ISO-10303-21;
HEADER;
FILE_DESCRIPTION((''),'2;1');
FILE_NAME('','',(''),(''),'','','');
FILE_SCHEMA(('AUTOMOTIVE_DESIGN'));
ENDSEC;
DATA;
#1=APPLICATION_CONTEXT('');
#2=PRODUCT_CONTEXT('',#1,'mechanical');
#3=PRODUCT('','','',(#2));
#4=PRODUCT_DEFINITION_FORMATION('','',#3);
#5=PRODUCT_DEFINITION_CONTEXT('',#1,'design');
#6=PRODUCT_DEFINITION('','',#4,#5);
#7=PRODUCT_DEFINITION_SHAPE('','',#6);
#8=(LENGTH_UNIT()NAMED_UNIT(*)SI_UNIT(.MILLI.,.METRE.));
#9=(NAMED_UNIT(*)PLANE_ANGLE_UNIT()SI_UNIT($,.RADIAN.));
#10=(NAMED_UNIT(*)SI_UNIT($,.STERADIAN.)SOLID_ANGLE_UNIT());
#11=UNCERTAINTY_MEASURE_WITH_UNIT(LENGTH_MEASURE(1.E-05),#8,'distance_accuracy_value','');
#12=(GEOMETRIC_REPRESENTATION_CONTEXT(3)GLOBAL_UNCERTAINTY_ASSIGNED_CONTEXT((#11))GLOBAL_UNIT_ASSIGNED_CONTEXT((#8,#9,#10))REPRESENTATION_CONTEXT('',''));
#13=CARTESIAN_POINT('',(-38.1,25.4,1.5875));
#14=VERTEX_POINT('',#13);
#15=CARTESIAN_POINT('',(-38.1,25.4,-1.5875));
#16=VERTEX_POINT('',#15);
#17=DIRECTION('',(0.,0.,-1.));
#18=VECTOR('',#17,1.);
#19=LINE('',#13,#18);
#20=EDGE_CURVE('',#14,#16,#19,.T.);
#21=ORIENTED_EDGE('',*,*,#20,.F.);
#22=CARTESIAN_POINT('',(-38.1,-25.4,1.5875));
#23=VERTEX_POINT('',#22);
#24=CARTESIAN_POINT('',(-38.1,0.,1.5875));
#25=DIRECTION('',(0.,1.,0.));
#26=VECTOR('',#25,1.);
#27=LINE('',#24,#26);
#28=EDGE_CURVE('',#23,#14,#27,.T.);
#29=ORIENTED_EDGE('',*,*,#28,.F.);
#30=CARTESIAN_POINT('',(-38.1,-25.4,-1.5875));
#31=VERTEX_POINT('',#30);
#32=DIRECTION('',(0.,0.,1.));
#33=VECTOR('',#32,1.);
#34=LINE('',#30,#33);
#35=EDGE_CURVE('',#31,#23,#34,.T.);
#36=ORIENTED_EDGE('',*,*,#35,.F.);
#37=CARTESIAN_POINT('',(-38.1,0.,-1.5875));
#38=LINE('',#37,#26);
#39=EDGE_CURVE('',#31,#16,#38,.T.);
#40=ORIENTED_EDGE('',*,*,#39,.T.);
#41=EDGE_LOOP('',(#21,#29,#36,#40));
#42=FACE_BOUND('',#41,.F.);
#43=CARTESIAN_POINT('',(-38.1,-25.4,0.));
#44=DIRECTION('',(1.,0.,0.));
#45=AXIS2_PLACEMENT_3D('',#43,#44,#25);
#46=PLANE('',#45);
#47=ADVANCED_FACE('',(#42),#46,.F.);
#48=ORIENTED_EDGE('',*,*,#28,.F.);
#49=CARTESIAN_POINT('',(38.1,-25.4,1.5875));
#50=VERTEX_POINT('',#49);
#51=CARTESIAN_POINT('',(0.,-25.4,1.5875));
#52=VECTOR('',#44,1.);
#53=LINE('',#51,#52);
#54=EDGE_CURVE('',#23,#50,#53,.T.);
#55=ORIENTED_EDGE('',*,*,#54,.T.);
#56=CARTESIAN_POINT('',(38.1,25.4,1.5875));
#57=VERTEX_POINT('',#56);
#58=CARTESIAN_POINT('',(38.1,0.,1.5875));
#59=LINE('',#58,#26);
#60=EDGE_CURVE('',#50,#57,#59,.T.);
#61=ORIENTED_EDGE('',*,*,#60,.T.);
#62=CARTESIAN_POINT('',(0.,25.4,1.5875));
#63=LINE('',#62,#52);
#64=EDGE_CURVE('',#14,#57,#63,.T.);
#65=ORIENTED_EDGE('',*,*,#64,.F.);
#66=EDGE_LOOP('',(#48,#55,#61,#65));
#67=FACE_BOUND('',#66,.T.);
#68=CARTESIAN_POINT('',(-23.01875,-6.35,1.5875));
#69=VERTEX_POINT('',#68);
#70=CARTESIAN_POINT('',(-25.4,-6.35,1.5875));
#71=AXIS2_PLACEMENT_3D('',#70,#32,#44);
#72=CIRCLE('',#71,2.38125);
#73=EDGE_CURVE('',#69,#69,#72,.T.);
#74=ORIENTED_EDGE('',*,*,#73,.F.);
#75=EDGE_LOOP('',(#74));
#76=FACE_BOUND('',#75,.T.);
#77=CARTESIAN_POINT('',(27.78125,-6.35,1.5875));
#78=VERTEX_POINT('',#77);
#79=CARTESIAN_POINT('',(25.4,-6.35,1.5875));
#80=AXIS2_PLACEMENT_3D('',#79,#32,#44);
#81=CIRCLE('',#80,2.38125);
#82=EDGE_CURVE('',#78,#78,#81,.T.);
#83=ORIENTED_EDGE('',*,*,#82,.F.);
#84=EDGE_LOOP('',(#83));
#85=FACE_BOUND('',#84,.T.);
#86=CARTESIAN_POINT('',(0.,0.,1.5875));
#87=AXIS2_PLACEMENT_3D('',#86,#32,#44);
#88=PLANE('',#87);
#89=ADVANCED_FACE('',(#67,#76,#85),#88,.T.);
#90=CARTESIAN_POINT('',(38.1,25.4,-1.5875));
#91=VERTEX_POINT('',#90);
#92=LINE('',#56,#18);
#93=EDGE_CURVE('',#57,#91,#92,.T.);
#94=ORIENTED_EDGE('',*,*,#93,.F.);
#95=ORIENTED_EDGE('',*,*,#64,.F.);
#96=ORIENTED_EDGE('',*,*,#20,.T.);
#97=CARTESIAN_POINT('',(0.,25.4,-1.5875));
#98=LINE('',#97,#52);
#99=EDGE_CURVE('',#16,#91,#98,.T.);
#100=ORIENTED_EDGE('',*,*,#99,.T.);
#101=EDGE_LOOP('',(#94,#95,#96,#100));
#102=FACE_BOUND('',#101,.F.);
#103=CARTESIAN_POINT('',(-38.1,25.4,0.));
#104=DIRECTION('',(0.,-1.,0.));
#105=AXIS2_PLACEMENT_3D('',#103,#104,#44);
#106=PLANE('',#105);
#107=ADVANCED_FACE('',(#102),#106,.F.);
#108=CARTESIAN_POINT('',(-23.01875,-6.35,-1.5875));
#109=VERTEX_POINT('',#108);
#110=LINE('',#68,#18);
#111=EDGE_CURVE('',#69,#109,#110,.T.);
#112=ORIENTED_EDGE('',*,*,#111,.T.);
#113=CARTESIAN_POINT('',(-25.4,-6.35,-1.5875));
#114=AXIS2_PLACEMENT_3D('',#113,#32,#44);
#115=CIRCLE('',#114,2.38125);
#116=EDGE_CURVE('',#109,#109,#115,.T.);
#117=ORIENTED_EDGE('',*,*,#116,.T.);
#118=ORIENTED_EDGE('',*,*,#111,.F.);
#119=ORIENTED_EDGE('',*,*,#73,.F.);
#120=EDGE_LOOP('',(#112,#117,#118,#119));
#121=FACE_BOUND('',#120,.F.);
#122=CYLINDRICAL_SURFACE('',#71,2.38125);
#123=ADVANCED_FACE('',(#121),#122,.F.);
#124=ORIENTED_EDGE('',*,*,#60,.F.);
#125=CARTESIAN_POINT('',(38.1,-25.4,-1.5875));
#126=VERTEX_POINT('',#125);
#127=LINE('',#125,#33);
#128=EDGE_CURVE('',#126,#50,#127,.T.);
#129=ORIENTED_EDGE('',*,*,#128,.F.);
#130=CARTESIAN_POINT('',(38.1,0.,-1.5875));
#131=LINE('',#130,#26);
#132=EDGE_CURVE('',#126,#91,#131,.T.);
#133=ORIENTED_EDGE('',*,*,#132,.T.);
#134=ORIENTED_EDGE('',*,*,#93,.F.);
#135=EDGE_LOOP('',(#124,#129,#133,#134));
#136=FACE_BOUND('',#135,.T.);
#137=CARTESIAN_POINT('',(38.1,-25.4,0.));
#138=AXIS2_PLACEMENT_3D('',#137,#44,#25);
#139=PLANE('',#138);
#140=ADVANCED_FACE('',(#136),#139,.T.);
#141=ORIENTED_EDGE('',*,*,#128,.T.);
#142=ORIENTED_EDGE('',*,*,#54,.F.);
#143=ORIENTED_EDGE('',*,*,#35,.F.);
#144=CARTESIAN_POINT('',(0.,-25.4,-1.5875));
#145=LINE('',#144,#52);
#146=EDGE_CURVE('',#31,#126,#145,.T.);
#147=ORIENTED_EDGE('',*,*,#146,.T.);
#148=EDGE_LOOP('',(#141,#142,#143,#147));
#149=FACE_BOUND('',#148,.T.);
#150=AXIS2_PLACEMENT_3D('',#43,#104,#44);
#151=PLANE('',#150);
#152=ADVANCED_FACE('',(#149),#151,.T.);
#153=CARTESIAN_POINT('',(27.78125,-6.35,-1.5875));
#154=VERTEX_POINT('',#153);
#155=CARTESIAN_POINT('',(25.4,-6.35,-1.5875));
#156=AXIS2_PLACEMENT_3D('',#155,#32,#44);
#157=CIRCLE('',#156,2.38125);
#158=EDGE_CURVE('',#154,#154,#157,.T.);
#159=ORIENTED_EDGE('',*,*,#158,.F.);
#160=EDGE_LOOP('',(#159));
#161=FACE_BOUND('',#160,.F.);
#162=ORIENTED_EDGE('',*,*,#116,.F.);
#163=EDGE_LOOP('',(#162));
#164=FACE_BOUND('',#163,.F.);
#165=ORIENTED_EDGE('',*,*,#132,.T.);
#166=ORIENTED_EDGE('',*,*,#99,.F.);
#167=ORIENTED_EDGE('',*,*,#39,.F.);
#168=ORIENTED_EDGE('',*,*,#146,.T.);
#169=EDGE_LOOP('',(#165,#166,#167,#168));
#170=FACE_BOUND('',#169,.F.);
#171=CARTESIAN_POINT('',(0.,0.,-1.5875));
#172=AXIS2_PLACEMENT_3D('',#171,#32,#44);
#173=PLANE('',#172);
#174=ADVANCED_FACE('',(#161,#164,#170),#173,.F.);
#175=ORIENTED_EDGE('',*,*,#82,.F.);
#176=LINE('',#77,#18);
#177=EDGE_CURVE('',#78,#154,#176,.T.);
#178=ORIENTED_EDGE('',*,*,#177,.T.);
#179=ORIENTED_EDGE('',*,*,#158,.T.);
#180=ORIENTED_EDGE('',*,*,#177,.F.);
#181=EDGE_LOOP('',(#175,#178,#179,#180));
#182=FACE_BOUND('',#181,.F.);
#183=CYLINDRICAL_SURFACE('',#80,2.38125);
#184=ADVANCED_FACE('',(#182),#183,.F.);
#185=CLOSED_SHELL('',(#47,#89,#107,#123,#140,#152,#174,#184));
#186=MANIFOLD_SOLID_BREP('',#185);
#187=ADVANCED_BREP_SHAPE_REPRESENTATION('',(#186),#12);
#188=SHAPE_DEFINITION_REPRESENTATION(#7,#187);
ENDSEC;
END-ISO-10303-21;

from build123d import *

# Parameters (mm, degrees)
F0_W     = 76.2
F0_H     = 50.8
F1_DEPTH = 1.5875
F2_R     = 2.38125
F3_DEPTH = 3.175


with BuildPart() as f1:
    # F0 (on Top) → F1 (new body, symmetric)
    with BuildSketch(Plane.XY):
        Rectangle(F0_W, F0_H)
    extrude(amount=F1_DEPTH, both=True)

    # F2 (on face) → F3 (cut, through all)
    with BuildSketch(Plane.XY.offset(1.5875)):
        with Locations((-25.4, -6.35)):
            Circle(F2_R)
        with Locations((25.4, -6.35)):
            Circle(F2_R)
    extrude(amount=-F3_DEPTH, mode=Mode.SUBTRACT)


solid = f1.part
